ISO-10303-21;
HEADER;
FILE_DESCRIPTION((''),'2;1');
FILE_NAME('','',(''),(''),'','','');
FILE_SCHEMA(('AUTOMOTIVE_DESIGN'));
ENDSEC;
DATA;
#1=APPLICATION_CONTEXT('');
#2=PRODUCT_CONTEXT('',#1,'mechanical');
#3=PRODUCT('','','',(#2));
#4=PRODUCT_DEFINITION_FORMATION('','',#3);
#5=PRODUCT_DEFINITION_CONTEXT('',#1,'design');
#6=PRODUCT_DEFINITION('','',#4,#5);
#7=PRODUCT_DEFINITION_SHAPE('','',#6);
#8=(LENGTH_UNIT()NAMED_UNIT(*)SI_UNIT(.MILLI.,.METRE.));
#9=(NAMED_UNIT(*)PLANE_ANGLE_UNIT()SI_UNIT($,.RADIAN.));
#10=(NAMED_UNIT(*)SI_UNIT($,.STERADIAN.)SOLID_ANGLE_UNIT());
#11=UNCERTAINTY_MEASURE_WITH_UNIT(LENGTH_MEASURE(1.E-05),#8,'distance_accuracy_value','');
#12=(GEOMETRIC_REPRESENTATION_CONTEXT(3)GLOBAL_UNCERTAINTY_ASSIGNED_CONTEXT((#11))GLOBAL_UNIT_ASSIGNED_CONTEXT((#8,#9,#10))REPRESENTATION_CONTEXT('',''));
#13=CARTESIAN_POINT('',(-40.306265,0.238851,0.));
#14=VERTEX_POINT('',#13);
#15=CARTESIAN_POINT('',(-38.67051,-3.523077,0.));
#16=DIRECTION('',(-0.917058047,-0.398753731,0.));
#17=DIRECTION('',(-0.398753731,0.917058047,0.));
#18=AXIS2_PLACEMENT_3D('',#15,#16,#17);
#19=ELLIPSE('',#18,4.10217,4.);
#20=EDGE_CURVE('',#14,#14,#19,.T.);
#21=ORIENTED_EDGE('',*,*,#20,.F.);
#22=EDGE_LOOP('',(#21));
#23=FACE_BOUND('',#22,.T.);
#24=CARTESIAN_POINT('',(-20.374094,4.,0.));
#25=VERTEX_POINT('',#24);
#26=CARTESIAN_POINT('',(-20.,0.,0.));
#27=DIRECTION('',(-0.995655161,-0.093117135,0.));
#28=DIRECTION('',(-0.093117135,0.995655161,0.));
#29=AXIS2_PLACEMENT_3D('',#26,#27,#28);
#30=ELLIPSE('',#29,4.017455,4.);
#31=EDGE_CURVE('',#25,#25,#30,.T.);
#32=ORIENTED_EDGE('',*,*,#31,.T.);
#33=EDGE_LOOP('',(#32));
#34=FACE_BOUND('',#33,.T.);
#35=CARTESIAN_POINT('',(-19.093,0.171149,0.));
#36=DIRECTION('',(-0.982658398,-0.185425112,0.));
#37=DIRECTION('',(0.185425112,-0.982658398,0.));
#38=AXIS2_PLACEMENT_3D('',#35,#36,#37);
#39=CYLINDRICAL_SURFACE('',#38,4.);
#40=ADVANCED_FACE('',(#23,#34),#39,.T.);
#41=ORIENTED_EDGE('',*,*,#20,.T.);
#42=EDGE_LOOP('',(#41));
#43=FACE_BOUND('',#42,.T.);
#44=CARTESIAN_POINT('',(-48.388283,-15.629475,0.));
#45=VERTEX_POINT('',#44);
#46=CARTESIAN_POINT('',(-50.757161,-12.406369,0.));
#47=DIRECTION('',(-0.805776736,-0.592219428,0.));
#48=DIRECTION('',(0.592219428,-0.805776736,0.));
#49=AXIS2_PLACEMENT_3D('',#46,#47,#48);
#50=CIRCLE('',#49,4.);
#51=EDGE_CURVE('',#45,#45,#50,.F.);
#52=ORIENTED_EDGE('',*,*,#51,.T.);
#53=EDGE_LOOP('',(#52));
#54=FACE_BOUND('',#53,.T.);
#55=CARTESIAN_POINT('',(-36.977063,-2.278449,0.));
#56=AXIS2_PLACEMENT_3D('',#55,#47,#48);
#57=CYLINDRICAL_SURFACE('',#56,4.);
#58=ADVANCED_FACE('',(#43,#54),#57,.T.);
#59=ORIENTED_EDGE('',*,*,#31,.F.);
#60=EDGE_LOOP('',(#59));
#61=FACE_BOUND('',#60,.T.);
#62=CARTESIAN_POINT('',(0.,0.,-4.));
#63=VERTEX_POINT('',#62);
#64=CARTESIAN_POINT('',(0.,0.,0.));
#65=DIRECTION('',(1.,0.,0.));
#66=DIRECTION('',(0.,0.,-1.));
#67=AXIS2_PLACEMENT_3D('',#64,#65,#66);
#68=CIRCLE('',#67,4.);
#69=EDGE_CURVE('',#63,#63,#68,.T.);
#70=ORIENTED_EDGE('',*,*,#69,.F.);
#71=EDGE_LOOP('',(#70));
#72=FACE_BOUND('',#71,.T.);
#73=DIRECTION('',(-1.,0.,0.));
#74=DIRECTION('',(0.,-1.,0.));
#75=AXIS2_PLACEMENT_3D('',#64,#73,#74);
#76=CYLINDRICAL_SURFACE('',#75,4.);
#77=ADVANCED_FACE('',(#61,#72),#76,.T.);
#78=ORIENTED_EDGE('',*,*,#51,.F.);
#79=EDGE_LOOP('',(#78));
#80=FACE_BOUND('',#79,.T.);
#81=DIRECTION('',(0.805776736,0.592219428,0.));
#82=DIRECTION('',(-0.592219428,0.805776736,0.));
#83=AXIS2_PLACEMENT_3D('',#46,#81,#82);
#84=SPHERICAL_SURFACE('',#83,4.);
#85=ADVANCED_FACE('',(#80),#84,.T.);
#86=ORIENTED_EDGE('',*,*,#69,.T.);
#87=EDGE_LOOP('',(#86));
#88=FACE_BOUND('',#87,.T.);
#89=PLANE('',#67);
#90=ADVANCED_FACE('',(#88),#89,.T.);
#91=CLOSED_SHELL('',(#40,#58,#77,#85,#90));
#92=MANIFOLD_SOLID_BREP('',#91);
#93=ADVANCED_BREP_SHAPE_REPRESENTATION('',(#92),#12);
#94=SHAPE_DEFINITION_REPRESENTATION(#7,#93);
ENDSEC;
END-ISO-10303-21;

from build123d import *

# Parameters (mm, degrees)
SKETCH2_R = 4
FILLET1_R = 4


with BuildPart() as part:
    # Sweep1: sweep along a path in Sketch1
    with BuildLine(Plane.XY) as sweep1_path:
        Line((0, 0), (-20, 0))
        Line((-20, 0), (-38.670509569, -3.523077123))
        Line((-38.670509569, -3.523077123), (-53.980267561, -14.775246259))
    # Sketch2 → Sweep1 (sweep)
    with BuildSketch(Plane(origin=(0, 0, 0), x_dir=(0, 0, -1), z_dir=(1, 0, 0))):
        Circle(SKETCH2_R)
    sweep(path=sweep1_path.line, transition=Transition.RIGHT)

    # Fillet1
    fillet1_edges = [part.edges().sort_by_distance(p)[0] for p in [
        (-53.980267561, -14.775246259, 4),
    ]]
    fillet(fillet1_edges, radius=FILLET1_R)


solid = part.part
